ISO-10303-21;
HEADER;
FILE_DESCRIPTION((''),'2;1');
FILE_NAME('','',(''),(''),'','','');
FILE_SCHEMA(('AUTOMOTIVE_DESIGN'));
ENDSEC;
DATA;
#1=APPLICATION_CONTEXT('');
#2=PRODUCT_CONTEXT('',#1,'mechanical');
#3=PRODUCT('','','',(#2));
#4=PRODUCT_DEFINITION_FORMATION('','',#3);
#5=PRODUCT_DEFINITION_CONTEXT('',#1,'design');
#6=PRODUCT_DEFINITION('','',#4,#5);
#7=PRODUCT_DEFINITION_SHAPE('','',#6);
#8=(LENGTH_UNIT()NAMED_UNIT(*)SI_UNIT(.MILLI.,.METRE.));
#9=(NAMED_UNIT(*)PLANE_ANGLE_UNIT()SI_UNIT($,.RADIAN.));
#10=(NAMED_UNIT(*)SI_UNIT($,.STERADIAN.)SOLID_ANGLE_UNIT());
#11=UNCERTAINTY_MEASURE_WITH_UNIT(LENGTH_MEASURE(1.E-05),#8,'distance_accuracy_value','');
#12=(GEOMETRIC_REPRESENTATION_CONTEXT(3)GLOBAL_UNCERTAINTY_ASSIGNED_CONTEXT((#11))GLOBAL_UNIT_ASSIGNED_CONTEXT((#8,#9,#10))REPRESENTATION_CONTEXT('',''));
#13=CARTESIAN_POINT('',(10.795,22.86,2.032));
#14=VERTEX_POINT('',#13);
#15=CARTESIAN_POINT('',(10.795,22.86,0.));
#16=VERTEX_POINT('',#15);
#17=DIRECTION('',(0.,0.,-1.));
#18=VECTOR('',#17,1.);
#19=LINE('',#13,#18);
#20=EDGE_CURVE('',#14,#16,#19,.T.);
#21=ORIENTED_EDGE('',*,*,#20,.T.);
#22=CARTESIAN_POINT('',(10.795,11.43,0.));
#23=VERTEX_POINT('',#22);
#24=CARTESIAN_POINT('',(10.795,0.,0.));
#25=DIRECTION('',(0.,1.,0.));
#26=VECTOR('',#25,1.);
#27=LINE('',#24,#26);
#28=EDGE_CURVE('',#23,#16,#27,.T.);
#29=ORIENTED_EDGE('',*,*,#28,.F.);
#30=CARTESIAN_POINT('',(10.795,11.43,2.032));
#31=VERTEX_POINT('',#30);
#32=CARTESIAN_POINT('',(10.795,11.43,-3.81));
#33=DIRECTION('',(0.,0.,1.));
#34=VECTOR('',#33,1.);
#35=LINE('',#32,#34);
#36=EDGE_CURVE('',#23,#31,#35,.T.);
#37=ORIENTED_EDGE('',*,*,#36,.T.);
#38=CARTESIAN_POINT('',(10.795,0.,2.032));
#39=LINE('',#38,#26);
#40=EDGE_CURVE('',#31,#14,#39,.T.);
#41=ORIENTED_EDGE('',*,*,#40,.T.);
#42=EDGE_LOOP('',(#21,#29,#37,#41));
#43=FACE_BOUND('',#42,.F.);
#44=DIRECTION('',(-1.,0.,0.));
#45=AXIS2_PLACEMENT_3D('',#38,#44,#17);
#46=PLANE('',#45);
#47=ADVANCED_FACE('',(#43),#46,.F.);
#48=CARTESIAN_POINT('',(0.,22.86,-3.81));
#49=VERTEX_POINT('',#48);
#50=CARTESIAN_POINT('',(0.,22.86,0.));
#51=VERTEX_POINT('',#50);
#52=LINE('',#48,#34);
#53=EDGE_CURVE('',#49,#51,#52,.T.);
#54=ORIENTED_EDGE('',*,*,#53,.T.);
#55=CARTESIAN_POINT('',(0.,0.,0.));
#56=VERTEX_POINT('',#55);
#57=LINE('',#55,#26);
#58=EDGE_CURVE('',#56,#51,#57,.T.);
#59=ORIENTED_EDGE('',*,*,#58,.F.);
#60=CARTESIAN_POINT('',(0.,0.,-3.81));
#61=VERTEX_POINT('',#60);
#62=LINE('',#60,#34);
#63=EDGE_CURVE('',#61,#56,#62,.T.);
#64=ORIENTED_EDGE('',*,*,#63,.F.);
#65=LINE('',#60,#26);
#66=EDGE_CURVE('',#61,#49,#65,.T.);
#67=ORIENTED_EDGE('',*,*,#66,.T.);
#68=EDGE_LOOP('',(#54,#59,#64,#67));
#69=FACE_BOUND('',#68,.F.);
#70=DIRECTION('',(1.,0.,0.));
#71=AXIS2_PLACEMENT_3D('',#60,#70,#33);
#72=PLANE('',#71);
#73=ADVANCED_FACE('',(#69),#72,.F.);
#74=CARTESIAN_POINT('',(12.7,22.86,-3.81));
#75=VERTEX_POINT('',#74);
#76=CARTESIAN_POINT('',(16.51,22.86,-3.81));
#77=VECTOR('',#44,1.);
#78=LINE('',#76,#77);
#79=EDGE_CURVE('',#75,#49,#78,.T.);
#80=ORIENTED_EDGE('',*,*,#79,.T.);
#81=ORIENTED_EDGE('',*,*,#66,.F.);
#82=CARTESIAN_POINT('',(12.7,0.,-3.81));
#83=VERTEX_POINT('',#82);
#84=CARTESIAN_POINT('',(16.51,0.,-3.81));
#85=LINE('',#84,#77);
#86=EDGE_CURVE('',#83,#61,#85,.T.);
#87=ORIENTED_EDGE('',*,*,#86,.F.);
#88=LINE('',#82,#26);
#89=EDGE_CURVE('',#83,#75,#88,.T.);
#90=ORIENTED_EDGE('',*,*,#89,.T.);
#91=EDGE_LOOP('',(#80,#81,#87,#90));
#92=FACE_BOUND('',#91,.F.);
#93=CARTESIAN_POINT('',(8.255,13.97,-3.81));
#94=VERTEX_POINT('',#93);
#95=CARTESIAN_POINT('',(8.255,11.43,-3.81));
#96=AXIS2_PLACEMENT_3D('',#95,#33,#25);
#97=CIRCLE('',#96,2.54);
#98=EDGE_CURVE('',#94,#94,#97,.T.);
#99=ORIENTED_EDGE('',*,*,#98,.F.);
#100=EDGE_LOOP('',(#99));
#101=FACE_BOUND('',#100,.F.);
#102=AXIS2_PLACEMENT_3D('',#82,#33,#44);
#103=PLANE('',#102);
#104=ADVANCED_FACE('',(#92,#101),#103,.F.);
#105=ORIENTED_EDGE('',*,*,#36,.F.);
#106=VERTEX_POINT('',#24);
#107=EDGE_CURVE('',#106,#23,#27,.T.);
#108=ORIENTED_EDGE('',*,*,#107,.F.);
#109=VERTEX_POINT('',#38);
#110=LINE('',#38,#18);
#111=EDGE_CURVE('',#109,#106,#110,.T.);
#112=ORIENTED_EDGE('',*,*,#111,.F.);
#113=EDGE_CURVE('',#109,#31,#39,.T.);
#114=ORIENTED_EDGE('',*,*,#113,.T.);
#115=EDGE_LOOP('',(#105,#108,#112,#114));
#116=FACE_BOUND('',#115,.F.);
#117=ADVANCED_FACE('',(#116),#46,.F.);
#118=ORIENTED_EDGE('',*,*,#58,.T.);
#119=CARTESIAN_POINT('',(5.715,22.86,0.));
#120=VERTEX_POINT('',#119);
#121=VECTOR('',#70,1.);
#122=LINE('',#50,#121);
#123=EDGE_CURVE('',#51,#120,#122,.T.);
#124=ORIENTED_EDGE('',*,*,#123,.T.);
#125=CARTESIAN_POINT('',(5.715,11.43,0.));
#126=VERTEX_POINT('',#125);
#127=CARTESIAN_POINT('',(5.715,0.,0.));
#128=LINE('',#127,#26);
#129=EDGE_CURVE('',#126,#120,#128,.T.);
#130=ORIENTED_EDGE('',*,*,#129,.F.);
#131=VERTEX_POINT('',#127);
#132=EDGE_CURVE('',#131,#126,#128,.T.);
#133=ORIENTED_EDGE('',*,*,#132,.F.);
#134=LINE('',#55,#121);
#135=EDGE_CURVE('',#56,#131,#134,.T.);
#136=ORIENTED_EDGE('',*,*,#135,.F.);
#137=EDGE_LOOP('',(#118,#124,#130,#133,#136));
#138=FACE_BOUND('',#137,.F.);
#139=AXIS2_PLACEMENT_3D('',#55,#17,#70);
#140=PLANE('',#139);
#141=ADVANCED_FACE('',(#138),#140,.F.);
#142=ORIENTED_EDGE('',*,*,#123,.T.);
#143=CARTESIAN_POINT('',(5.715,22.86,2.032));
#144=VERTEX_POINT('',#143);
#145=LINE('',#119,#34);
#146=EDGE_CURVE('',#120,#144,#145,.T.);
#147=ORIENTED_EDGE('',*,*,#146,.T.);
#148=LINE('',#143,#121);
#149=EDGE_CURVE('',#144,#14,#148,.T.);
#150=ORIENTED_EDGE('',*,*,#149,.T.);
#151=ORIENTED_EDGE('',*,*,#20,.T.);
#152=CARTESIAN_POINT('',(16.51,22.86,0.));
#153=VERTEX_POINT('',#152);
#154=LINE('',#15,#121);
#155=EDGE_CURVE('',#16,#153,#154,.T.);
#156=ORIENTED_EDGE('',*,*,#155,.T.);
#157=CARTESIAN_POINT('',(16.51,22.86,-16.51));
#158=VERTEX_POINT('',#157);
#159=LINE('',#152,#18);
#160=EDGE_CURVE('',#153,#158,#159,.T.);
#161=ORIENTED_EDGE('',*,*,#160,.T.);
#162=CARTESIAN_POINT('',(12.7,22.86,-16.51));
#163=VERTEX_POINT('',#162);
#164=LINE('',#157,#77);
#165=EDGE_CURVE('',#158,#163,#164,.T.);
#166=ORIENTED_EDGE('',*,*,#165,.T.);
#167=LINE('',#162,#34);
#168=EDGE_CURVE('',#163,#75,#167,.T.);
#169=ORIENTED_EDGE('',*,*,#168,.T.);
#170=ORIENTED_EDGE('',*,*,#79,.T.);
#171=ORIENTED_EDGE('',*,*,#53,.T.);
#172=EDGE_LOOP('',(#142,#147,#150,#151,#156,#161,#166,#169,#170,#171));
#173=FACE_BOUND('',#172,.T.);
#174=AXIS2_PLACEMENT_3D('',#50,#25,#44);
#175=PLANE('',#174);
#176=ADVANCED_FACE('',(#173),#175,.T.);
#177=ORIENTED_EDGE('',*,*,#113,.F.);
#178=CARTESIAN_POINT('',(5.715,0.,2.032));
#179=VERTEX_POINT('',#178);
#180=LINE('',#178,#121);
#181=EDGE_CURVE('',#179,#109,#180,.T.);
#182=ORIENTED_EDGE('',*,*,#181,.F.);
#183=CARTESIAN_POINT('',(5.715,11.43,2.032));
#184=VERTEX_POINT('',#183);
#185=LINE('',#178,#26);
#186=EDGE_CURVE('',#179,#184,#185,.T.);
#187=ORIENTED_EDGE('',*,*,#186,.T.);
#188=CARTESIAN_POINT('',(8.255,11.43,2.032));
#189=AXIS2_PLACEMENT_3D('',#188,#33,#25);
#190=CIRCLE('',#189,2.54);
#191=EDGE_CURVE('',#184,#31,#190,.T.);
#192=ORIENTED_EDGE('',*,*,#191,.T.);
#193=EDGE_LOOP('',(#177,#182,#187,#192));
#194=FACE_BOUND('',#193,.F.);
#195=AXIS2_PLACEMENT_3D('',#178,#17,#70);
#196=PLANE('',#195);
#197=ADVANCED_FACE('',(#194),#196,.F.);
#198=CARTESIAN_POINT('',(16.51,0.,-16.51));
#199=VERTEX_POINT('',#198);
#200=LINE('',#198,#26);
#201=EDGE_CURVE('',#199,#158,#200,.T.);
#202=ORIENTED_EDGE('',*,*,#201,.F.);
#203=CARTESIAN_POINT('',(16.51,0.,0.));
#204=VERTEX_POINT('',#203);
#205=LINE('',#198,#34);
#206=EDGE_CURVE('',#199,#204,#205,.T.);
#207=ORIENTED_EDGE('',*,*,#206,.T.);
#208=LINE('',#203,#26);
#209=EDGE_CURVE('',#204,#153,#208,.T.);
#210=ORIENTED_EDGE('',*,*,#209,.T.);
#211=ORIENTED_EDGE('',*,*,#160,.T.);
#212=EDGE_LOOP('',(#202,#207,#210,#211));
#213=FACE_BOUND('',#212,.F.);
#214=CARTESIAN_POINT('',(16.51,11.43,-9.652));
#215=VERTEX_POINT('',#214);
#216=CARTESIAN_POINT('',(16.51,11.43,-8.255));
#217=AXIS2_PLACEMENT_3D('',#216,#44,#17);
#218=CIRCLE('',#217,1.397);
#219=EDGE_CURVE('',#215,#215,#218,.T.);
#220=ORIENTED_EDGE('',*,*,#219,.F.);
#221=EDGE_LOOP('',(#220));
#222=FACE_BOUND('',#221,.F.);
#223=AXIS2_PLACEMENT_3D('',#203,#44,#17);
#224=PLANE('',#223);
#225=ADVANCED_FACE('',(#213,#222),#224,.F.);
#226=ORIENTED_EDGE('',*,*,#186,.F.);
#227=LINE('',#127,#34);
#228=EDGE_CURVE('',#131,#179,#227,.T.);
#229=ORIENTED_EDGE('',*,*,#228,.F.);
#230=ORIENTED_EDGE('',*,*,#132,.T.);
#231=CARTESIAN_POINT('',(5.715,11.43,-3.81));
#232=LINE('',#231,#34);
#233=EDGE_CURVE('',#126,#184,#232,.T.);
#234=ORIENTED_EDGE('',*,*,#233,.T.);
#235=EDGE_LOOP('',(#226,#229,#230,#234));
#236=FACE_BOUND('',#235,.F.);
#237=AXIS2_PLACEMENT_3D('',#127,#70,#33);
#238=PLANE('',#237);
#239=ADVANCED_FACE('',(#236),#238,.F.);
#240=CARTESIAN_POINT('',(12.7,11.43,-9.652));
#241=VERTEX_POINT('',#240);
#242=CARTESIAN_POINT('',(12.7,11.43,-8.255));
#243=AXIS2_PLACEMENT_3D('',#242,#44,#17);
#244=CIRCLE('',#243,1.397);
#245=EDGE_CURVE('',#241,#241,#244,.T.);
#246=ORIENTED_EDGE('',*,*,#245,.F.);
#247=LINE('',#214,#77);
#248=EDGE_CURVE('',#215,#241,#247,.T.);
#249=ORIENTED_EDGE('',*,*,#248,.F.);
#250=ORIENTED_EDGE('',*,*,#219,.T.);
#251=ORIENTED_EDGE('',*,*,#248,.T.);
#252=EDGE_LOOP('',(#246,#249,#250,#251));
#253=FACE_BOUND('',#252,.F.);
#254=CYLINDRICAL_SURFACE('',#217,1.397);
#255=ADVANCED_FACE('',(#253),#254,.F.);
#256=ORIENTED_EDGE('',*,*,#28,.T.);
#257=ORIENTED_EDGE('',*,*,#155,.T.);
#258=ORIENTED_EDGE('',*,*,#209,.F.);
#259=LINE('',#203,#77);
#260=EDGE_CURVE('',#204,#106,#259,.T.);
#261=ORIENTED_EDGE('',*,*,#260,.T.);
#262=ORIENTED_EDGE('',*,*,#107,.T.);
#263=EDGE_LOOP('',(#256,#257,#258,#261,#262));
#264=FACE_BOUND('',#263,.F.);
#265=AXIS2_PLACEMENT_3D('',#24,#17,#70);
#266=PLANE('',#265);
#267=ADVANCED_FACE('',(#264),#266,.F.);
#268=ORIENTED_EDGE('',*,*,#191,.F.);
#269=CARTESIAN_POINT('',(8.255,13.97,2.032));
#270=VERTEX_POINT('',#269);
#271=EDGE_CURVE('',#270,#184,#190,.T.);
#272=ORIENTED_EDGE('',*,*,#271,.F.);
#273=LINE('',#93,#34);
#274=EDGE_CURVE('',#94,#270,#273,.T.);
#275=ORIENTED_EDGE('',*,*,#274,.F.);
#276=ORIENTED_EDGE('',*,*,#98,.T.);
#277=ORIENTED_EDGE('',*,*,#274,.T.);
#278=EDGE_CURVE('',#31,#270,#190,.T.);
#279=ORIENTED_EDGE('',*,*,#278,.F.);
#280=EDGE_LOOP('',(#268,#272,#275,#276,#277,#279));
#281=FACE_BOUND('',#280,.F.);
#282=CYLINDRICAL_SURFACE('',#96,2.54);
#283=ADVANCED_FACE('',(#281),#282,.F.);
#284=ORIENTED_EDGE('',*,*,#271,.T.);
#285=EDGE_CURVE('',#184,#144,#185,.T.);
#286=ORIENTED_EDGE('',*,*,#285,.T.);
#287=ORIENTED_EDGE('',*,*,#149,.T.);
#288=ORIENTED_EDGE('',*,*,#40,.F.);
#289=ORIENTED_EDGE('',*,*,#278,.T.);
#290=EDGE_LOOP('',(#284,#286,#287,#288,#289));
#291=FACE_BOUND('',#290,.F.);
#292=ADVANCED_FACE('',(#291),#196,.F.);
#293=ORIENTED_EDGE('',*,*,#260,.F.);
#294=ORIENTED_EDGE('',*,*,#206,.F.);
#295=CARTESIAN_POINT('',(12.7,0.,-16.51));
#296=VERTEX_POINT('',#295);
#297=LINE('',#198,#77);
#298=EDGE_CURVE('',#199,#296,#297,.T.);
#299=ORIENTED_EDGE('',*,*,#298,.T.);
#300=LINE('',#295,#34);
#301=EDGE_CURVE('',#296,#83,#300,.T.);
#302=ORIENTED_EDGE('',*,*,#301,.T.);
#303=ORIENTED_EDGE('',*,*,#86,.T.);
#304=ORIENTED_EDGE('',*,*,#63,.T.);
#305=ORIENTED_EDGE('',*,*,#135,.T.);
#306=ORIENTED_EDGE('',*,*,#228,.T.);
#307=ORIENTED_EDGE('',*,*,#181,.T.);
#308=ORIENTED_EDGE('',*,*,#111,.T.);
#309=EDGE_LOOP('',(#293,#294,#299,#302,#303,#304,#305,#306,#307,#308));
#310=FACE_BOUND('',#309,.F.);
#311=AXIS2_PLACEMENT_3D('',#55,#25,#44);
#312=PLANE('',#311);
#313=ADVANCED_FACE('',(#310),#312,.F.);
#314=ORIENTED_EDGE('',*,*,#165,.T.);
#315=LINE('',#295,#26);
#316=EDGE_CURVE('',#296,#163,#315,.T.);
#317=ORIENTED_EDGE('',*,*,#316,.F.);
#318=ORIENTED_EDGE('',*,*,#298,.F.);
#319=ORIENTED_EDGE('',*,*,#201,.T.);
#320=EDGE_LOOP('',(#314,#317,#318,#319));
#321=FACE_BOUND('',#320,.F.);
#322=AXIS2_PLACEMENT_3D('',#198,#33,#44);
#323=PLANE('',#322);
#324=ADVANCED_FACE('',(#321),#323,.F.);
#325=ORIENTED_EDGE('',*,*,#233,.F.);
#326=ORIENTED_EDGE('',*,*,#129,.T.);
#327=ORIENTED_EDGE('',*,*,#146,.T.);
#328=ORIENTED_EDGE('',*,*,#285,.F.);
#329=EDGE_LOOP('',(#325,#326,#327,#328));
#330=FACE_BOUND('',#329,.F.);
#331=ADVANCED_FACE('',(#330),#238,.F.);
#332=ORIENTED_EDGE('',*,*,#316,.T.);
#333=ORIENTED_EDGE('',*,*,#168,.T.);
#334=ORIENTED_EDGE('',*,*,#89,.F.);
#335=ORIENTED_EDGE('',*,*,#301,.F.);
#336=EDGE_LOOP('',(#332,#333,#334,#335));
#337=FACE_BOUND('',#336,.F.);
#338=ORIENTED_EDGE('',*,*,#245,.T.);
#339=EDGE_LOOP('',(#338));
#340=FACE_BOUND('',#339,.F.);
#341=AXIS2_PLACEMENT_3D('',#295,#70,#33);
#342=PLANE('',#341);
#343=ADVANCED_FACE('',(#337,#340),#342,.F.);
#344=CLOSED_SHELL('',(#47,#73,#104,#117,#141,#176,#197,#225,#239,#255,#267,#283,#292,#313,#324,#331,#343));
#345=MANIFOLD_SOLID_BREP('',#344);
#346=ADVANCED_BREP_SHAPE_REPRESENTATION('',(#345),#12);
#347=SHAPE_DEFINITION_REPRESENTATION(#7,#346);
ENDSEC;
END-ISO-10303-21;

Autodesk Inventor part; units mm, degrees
ref_plane "YZ Plane" through (0, 0, 0) normal (1, 0, 0) x (0, 1, 0)
ref_plane "XZ Plane" through (0, 0, 0) normal (0, 1, 0) x (-1, 0, 0)
ref_plane "XY Plane" through (0, 0, 0) normal (0, 0, 1) x (1, 0, 0)
sketch "Sketch1" plane through (0, 0, 0) normal (0, 1, 0) x (-1, 0, 0)
  line L0 (0, 0) -> (-16.51, 0)
  line L1 (-16.51, 0) -> (-16.51, -3.81)
  line L2 (-16.51, -3.81) -> (0, -3.81)
  line L3 (0, -3.81) -> (0, 0)
  line L4 (-16.51, 0) -> (-10.795, 0)
  line L5 (-10.795, 0) -> (-5.715, 0)
  line L6 (-5.715, 0) -> (-5.715, 2.032)
  line L7 (-5.715, 2.032) -> (-10.795, 2.032)
  line L8 (-10.795, 2.032) -> (-10.795, 0)
  line L9 (-16.51, 0) -> (-16.51, -16.51)
  line L10 (-16.51, -16.51) -> (-12.7, -16.51)
  line L11 (-12.7, -16.51) -> (-12.7, 0)
  dimension "d0" = 16.51
  dimension "d1" = 3.81
  dimension "d2" = 5.715
  dimension "d3" = 5.08
  dimension "d4" = 2.032
  dimension "d5" = 16.51
  dimension "d6" = 3.81
extrude "Extrusion1" add sketch "Sketch1" along normal blind 22.86
sketch "Sketch2" plane through (16.51, 0, 0) normal (1, 0, 0) x (0, 0, -1)
  point P0 (0, 0)
sketch "Sketch4" plane through (16.51, 0, 0) normal (1, 0, 0) x (0, 0, -1)
  line L0 (0, 0) -> (0, 22.86) projected
  line L1 (0, 11.43) -> (8.255, 11.43)
  dimension "d17" = 8.255
hole "Hole2" at (16.51, 11.43, -8.255) direction (-1, 0, 0) diameter 2.794 end through all
sketch "Sketch5" plane through (12.7, 0, -3.81) normal (0, 0, -1) x (-1, 0, 0)
  line L0 (0, 22.86) -> (12.7, 22.86) projected
  line L1 (12.7, 22.86) -> (4.445, 22.86)
  line L2 (4.445, 22.86) -> (4.445, 11.43)
  point P0 (12.7, 0)
  dimension "d46" = 8.255
  dimension "d47" = 11.43
sketch "Sketch6" plane through (12.7, 0, -3.81) normal (0, 0, -1) x (-1, 0, 0)
  point P0 (12.7, 0)
hole "Hole3" at (8.255, 11.43, -3.81) direction (0, 0, 1) diameter 5.08 end through all
properties part number "Part v4"
